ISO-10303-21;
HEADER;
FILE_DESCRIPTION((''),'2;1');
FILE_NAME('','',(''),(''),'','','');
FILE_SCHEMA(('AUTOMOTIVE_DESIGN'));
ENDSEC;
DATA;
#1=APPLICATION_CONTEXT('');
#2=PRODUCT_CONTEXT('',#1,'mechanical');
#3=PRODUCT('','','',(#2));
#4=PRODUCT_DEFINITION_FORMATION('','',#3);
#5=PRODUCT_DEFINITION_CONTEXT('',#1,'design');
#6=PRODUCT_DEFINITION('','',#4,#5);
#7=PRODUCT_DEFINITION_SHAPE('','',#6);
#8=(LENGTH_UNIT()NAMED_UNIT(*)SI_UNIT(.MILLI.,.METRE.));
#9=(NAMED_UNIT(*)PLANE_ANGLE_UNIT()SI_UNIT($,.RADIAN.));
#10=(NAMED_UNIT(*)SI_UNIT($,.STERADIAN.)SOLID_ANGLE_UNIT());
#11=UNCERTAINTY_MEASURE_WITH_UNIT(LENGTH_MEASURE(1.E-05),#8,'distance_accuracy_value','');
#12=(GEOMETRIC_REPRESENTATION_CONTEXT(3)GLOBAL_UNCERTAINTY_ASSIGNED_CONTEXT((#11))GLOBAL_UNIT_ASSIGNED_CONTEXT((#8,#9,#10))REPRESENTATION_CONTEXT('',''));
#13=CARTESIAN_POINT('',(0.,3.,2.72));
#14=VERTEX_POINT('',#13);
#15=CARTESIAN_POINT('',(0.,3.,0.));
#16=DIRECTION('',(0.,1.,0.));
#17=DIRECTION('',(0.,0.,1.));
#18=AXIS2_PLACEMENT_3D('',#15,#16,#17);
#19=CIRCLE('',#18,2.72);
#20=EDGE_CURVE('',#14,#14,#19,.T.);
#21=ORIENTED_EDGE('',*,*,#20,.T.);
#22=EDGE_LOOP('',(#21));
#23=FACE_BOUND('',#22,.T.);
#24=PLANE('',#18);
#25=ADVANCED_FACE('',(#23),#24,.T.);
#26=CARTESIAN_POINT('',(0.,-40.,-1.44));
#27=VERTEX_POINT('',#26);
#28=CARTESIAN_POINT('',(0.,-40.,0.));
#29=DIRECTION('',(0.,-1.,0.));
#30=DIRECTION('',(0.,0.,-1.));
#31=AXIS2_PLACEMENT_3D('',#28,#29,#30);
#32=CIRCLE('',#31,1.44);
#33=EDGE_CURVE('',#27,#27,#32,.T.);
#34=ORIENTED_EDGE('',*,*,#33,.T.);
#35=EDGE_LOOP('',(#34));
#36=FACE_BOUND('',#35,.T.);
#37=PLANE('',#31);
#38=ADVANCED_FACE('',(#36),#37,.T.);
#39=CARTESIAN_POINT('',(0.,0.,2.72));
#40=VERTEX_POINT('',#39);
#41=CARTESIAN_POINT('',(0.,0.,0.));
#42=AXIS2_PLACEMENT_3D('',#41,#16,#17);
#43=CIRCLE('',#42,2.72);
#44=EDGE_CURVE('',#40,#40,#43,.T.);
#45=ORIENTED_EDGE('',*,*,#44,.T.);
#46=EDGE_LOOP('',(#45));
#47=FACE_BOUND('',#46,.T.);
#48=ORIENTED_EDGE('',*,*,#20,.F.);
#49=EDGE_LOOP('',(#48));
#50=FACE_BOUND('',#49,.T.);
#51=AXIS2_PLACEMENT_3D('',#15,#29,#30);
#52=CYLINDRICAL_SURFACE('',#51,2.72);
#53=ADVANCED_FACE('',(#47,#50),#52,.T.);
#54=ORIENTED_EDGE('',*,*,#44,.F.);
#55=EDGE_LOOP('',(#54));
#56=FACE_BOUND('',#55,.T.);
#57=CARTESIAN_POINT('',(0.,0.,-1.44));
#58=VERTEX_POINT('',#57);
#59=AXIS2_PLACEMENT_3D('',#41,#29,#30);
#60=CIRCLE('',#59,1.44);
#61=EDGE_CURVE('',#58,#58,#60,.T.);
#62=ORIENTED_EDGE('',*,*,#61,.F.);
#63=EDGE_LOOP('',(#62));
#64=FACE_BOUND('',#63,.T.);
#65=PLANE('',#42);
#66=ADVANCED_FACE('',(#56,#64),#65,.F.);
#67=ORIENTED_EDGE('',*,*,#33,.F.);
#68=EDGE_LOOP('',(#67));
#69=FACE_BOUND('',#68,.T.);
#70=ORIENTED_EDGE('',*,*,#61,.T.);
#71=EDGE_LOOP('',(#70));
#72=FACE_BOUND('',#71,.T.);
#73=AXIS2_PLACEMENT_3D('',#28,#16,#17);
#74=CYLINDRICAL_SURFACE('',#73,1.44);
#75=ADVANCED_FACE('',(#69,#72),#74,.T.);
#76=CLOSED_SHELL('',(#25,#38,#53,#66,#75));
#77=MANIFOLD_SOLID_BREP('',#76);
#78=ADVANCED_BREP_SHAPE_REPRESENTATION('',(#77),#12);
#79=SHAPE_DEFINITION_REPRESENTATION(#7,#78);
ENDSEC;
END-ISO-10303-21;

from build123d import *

# Parameters (mm, degrees)
SKETCH1_R           = 2.72
BOSS_EXTRUDE1_DEPTH = 3
SKETCH2_R           = 1.44
BOSS_EXTRUDE2_DEPTH = 40


with BuildPart() as part:
    # Sketch1 → Boss-Extrude1 (new body)
    with BuildSketch(Plane(origin=(0, 0, 0), x_dir=(1, 0, 0), z_dir=(0, 1, 0))):
        Circle(SKETCH1_R)
    extrude(amount=BOSS_EXTRUDE1_DEPTH)

    # Sketch2 → Boss-Extrude2 (add)
    with BuildSketch(Plane.XZ):
        Circle(SKETCH2_R)
    extrude(amount=BOSS_EXTRUDE2_DEPTH)


solid = part.part
